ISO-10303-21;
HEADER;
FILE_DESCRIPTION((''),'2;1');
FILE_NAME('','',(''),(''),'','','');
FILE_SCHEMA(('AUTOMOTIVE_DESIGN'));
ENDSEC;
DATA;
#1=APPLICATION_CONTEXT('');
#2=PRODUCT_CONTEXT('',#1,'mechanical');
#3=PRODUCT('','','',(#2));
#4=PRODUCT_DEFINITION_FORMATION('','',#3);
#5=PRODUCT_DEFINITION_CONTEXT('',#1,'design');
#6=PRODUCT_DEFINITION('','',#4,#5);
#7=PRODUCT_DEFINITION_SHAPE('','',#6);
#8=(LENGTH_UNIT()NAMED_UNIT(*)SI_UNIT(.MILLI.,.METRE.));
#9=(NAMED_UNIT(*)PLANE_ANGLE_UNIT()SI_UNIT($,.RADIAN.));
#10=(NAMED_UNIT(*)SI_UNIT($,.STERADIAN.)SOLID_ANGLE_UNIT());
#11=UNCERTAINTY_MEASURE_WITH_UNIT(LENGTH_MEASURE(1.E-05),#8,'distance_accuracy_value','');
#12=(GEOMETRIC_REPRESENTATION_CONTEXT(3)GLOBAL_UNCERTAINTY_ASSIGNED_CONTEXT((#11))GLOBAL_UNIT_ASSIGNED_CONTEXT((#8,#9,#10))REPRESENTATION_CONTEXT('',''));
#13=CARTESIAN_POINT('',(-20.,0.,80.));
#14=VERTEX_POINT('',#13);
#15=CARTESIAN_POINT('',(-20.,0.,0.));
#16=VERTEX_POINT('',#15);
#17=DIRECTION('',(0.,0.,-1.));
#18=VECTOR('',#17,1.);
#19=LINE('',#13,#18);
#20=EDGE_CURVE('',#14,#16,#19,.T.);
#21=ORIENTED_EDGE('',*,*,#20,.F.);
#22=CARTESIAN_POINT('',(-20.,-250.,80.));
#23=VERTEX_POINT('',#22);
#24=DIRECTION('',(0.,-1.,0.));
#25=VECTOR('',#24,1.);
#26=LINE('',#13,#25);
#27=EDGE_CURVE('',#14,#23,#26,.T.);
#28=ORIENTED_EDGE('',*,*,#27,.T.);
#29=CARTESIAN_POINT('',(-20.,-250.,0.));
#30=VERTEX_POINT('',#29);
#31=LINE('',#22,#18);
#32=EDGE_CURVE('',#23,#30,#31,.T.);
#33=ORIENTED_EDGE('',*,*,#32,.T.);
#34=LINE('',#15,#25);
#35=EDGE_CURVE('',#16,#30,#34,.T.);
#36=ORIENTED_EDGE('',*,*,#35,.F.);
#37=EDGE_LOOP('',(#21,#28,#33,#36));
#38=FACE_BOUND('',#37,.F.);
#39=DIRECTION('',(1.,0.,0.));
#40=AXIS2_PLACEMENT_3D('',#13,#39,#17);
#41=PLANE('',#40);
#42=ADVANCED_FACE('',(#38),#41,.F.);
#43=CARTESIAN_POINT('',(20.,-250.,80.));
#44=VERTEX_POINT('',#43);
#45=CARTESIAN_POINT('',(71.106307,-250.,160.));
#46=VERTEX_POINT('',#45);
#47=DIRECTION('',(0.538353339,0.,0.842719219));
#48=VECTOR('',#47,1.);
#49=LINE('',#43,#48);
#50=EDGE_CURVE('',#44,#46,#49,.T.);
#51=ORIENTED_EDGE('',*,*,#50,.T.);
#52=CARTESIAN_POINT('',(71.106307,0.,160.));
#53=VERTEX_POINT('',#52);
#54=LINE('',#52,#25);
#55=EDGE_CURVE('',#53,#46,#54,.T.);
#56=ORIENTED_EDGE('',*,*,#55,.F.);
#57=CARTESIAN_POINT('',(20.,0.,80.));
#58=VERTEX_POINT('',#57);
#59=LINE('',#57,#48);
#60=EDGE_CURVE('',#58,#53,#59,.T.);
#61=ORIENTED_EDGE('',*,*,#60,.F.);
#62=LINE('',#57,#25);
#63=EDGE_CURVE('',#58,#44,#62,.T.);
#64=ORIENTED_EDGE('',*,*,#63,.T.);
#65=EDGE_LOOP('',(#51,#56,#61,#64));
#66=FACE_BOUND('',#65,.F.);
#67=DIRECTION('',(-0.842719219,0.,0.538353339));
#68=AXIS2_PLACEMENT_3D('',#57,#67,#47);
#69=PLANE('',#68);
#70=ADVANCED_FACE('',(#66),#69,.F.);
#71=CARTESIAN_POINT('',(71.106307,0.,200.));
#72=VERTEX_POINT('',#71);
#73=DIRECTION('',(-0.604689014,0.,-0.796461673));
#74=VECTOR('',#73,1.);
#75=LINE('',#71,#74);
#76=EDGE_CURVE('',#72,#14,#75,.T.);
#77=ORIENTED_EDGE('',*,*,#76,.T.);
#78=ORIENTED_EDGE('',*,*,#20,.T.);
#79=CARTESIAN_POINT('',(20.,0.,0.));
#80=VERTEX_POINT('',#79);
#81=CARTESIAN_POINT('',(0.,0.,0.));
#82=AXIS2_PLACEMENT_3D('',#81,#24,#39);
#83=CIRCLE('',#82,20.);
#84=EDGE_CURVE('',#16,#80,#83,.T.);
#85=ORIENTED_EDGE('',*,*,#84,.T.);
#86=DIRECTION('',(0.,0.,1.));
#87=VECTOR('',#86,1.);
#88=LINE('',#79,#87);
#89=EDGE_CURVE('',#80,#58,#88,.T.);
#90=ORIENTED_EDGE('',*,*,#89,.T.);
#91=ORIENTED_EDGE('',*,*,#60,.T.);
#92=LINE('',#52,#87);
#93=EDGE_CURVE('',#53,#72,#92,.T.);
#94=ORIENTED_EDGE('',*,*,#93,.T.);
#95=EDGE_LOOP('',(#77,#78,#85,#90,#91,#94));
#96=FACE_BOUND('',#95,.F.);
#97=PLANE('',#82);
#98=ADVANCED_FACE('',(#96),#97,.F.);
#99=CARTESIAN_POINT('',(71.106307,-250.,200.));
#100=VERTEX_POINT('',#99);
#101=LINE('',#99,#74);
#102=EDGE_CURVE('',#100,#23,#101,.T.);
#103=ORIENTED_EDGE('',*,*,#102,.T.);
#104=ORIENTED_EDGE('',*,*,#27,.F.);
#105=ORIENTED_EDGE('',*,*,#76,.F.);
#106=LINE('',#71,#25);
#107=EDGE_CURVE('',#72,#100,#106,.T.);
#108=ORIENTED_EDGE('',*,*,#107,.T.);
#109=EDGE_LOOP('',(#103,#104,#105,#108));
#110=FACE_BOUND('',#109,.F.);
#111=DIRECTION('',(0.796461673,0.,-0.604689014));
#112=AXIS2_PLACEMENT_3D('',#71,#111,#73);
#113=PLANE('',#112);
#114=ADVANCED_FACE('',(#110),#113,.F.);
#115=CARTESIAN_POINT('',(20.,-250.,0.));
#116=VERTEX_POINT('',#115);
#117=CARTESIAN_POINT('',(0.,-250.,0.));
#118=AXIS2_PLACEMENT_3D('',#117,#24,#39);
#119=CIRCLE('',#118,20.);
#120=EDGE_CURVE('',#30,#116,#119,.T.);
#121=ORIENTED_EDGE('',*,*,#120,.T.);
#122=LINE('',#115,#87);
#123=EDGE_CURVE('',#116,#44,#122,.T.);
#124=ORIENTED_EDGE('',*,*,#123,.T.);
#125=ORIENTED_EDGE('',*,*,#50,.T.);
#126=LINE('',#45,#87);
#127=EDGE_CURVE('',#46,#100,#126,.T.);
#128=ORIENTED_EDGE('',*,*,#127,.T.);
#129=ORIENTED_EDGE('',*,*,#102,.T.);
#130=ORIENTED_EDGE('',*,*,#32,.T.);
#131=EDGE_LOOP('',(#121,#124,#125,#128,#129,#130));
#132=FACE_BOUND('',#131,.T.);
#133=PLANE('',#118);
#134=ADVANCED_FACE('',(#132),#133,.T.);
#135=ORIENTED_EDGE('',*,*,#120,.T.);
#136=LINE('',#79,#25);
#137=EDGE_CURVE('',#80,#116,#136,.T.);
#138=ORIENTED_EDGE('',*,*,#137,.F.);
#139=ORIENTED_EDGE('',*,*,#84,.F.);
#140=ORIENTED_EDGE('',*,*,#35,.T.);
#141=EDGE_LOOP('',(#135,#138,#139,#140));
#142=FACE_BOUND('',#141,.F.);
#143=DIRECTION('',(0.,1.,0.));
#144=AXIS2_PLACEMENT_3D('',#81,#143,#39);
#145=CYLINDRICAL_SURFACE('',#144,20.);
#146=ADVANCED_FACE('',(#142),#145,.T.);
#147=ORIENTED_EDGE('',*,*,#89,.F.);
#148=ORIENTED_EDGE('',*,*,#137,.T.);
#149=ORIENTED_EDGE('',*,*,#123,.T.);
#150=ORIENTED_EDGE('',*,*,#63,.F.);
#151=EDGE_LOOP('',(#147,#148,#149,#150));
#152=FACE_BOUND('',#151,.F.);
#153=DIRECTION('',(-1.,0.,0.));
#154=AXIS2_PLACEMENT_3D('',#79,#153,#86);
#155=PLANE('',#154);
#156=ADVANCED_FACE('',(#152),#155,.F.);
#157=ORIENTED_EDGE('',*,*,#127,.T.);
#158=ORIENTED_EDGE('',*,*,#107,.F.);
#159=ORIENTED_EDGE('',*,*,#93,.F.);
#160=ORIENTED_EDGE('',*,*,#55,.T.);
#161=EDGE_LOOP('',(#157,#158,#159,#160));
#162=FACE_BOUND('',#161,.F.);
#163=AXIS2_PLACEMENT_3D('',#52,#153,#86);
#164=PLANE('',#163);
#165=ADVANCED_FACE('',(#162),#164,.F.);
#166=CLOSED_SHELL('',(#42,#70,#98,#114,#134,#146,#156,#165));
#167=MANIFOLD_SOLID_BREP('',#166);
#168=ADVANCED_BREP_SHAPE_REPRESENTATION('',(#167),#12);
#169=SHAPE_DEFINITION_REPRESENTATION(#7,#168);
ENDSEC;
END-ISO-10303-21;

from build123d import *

# Parameters (mm, degrees)
F1_DEPTH = 250


with BuildPart() as f1:
    # F0 (on Front) → F1 (new body)
    with BuildSketch(Plane.XZ):
        with BuildLine():
            ThreePointArc((-20, 0), (0, -20), (20, 0))
            ThreePointArc((20, 0), (0, 20), (-20, 0))
        make_face()
        with BuildLine():
            ThreePointArc((-20, 0), (0, 20), (20, 0))
            Line((20, 0), (20, 80))
            Line((20, 80), (71.106307, 160))
            Line((71.106307, 160), (71.106307, 200))
            Line((71.106307, 200), (-20, 80))
            Line((-20, 80), (-20, 0))
        make_face()
    extrude(amount=F1_DEPTH)


solid = f1.part
